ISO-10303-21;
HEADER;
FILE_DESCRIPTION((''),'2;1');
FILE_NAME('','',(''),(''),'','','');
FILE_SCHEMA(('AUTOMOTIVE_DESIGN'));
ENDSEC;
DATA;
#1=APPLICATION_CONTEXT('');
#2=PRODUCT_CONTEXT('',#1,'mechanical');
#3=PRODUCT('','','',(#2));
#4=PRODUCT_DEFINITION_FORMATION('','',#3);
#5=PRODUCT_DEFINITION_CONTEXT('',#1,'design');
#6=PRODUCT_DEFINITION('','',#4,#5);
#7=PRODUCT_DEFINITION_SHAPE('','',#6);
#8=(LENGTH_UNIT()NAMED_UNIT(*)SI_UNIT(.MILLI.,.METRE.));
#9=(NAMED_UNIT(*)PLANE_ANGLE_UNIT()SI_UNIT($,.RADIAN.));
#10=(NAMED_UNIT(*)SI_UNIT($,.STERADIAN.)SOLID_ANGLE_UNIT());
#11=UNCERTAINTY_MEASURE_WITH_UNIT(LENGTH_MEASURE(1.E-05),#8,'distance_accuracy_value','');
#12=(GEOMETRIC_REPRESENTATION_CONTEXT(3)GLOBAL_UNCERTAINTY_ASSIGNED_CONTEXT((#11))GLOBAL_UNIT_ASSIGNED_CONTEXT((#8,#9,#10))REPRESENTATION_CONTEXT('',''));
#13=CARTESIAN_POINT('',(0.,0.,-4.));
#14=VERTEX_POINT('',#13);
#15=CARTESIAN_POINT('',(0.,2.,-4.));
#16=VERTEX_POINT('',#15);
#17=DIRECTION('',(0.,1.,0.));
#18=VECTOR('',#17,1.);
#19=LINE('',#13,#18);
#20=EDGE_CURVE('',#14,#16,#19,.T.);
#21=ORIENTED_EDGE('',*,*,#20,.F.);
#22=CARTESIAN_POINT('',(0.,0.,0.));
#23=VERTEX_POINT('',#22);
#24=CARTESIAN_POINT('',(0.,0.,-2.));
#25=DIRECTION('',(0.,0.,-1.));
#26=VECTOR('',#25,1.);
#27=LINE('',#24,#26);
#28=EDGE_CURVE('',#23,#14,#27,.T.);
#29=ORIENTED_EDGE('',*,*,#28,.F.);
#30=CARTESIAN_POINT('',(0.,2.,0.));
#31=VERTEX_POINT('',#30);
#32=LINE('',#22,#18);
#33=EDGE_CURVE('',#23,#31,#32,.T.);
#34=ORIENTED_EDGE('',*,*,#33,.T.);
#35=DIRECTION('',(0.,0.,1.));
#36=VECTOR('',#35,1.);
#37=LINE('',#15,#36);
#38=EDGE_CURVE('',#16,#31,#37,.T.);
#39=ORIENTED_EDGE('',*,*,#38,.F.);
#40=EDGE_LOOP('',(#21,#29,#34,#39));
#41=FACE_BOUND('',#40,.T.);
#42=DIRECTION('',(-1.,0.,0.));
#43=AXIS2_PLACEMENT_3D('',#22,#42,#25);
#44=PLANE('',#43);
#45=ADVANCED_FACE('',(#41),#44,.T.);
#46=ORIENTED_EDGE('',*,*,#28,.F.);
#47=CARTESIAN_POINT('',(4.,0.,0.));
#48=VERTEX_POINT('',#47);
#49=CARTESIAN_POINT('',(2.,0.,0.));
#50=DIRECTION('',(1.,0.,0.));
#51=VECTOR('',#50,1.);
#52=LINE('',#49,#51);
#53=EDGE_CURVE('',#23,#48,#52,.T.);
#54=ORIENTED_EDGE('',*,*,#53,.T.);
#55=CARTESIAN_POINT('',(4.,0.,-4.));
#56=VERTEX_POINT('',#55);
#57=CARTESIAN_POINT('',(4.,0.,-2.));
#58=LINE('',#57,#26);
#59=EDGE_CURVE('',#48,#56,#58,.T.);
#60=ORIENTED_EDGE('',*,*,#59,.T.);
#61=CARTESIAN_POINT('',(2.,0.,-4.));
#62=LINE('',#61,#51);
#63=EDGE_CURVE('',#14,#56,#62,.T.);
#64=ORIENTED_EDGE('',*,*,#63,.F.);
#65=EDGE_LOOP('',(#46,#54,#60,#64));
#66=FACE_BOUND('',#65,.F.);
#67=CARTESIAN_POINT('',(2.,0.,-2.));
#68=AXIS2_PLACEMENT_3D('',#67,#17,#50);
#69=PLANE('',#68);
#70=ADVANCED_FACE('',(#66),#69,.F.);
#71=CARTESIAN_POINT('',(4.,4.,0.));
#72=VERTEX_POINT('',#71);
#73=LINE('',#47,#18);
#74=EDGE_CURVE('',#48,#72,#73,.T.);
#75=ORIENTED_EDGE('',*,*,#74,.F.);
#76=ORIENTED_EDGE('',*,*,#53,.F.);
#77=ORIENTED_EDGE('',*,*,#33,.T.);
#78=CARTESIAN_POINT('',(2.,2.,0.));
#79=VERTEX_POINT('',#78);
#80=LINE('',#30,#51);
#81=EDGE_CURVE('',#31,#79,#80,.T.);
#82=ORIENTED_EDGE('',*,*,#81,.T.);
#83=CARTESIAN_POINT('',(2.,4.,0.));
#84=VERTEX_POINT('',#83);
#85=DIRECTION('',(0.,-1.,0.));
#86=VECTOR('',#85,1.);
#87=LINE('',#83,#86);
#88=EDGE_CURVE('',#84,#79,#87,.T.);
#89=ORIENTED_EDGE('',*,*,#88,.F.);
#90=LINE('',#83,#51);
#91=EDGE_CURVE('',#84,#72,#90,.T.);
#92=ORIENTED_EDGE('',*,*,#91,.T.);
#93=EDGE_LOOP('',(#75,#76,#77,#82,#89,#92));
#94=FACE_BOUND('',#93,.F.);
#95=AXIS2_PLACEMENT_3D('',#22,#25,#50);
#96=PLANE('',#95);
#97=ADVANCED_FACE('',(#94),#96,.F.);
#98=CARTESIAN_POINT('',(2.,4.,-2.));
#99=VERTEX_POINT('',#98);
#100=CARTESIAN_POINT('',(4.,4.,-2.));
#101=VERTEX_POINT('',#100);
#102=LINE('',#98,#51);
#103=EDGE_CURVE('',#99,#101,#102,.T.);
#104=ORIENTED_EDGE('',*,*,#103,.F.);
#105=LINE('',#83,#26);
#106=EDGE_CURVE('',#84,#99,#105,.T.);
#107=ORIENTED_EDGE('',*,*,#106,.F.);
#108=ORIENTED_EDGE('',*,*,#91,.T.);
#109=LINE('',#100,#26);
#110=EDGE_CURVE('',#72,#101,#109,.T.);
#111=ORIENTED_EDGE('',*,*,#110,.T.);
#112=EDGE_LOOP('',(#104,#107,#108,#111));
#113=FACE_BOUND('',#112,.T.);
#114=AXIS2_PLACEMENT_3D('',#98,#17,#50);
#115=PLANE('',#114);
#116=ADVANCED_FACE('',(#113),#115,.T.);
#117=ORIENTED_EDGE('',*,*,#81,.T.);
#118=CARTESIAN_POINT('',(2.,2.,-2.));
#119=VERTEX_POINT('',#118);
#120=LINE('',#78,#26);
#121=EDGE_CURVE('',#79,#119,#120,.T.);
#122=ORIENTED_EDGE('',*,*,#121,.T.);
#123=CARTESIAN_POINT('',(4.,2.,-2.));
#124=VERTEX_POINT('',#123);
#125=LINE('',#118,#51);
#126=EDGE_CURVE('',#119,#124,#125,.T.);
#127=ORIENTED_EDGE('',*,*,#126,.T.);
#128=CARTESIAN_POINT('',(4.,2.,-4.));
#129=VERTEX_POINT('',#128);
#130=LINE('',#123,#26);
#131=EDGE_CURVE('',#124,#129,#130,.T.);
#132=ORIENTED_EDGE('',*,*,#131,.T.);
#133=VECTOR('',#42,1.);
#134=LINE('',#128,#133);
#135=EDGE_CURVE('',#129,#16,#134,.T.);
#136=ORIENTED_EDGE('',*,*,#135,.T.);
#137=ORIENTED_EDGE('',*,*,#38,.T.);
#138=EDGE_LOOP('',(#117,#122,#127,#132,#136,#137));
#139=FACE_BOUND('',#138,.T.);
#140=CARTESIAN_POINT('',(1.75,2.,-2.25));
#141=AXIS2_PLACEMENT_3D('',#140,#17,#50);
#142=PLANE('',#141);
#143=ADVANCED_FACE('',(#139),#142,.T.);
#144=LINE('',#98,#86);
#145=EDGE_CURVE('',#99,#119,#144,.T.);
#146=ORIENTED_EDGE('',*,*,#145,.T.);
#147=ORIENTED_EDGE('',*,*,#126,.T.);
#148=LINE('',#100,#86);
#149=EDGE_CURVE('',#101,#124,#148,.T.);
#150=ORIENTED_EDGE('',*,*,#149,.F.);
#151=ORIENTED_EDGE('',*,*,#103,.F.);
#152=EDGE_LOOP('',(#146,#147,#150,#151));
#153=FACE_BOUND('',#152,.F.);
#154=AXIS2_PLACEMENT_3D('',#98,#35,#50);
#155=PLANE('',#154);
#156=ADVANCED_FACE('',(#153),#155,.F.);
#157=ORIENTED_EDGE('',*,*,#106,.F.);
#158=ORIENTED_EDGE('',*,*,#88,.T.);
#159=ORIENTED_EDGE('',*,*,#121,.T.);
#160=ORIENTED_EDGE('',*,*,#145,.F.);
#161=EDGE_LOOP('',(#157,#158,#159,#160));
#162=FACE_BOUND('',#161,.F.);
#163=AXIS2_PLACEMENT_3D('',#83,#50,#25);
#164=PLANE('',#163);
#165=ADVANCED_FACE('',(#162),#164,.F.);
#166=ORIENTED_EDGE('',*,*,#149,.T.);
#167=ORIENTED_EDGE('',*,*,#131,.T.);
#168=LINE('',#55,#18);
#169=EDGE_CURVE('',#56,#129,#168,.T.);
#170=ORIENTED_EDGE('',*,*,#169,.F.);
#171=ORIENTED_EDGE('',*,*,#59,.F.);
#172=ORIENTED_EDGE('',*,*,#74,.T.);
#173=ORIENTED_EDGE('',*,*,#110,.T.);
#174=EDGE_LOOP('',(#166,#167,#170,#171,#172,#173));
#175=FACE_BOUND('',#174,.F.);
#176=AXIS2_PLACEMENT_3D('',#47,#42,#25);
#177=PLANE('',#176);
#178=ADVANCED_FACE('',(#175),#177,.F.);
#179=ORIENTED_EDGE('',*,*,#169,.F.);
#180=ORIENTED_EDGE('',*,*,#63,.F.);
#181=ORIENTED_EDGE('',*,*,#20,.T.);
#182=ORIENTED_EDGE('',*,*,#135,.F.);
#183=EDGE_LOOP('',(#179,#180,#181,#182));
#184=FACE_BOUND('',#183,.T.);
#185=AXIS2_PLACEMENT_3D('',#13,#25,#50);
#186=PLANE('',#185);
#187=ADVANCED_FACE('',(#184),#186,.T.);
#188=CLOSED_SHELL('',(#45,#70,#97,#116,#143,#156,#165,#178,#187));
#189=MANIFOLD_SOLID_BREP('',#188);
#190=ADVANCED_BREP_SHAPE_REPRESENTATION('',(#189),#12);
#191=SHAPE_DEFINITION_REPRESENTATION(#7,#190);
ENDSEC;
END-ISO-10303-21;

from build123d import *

# Parameters (mm, degrees)
SKETCH1_W           = 4
SKETCH1_H           = 4
BOSS_EXTRUDE1_DEPTH = 4
CUT_EXTRUDE1_DEPTH  = 2


with BuildPart() as part:
    # Sketch1 → Boss-Extrude1 (new body)
    with BuildSketch(Plane(origin=(0, 0, 0), x_dir=(1, 0, 0), z_dir=(0, 1, 0))):
        with Locations((2, 2)):
            Rectangle(SKETCH1_W, SKETCH1_H)
    extrude(amount=BOSS_EXTRUDE1_DEPTH)

    # Sketch2 → Cut-Extrude1 (cut)
    with BuildSketch(Plane(origin=(0, 4, 0), x_dir=(1, 0, 0), z_dir=(0, 1, 0))):
        Polygon((2, 0), (2, 2), (4, 2), (4, 4), (0, 4), (0, 0), align=None)
    extrude(amount=-CUT_EXTRUDE1_DEPTH, mode=Mode.SUBTRACT)


solid = part.part
